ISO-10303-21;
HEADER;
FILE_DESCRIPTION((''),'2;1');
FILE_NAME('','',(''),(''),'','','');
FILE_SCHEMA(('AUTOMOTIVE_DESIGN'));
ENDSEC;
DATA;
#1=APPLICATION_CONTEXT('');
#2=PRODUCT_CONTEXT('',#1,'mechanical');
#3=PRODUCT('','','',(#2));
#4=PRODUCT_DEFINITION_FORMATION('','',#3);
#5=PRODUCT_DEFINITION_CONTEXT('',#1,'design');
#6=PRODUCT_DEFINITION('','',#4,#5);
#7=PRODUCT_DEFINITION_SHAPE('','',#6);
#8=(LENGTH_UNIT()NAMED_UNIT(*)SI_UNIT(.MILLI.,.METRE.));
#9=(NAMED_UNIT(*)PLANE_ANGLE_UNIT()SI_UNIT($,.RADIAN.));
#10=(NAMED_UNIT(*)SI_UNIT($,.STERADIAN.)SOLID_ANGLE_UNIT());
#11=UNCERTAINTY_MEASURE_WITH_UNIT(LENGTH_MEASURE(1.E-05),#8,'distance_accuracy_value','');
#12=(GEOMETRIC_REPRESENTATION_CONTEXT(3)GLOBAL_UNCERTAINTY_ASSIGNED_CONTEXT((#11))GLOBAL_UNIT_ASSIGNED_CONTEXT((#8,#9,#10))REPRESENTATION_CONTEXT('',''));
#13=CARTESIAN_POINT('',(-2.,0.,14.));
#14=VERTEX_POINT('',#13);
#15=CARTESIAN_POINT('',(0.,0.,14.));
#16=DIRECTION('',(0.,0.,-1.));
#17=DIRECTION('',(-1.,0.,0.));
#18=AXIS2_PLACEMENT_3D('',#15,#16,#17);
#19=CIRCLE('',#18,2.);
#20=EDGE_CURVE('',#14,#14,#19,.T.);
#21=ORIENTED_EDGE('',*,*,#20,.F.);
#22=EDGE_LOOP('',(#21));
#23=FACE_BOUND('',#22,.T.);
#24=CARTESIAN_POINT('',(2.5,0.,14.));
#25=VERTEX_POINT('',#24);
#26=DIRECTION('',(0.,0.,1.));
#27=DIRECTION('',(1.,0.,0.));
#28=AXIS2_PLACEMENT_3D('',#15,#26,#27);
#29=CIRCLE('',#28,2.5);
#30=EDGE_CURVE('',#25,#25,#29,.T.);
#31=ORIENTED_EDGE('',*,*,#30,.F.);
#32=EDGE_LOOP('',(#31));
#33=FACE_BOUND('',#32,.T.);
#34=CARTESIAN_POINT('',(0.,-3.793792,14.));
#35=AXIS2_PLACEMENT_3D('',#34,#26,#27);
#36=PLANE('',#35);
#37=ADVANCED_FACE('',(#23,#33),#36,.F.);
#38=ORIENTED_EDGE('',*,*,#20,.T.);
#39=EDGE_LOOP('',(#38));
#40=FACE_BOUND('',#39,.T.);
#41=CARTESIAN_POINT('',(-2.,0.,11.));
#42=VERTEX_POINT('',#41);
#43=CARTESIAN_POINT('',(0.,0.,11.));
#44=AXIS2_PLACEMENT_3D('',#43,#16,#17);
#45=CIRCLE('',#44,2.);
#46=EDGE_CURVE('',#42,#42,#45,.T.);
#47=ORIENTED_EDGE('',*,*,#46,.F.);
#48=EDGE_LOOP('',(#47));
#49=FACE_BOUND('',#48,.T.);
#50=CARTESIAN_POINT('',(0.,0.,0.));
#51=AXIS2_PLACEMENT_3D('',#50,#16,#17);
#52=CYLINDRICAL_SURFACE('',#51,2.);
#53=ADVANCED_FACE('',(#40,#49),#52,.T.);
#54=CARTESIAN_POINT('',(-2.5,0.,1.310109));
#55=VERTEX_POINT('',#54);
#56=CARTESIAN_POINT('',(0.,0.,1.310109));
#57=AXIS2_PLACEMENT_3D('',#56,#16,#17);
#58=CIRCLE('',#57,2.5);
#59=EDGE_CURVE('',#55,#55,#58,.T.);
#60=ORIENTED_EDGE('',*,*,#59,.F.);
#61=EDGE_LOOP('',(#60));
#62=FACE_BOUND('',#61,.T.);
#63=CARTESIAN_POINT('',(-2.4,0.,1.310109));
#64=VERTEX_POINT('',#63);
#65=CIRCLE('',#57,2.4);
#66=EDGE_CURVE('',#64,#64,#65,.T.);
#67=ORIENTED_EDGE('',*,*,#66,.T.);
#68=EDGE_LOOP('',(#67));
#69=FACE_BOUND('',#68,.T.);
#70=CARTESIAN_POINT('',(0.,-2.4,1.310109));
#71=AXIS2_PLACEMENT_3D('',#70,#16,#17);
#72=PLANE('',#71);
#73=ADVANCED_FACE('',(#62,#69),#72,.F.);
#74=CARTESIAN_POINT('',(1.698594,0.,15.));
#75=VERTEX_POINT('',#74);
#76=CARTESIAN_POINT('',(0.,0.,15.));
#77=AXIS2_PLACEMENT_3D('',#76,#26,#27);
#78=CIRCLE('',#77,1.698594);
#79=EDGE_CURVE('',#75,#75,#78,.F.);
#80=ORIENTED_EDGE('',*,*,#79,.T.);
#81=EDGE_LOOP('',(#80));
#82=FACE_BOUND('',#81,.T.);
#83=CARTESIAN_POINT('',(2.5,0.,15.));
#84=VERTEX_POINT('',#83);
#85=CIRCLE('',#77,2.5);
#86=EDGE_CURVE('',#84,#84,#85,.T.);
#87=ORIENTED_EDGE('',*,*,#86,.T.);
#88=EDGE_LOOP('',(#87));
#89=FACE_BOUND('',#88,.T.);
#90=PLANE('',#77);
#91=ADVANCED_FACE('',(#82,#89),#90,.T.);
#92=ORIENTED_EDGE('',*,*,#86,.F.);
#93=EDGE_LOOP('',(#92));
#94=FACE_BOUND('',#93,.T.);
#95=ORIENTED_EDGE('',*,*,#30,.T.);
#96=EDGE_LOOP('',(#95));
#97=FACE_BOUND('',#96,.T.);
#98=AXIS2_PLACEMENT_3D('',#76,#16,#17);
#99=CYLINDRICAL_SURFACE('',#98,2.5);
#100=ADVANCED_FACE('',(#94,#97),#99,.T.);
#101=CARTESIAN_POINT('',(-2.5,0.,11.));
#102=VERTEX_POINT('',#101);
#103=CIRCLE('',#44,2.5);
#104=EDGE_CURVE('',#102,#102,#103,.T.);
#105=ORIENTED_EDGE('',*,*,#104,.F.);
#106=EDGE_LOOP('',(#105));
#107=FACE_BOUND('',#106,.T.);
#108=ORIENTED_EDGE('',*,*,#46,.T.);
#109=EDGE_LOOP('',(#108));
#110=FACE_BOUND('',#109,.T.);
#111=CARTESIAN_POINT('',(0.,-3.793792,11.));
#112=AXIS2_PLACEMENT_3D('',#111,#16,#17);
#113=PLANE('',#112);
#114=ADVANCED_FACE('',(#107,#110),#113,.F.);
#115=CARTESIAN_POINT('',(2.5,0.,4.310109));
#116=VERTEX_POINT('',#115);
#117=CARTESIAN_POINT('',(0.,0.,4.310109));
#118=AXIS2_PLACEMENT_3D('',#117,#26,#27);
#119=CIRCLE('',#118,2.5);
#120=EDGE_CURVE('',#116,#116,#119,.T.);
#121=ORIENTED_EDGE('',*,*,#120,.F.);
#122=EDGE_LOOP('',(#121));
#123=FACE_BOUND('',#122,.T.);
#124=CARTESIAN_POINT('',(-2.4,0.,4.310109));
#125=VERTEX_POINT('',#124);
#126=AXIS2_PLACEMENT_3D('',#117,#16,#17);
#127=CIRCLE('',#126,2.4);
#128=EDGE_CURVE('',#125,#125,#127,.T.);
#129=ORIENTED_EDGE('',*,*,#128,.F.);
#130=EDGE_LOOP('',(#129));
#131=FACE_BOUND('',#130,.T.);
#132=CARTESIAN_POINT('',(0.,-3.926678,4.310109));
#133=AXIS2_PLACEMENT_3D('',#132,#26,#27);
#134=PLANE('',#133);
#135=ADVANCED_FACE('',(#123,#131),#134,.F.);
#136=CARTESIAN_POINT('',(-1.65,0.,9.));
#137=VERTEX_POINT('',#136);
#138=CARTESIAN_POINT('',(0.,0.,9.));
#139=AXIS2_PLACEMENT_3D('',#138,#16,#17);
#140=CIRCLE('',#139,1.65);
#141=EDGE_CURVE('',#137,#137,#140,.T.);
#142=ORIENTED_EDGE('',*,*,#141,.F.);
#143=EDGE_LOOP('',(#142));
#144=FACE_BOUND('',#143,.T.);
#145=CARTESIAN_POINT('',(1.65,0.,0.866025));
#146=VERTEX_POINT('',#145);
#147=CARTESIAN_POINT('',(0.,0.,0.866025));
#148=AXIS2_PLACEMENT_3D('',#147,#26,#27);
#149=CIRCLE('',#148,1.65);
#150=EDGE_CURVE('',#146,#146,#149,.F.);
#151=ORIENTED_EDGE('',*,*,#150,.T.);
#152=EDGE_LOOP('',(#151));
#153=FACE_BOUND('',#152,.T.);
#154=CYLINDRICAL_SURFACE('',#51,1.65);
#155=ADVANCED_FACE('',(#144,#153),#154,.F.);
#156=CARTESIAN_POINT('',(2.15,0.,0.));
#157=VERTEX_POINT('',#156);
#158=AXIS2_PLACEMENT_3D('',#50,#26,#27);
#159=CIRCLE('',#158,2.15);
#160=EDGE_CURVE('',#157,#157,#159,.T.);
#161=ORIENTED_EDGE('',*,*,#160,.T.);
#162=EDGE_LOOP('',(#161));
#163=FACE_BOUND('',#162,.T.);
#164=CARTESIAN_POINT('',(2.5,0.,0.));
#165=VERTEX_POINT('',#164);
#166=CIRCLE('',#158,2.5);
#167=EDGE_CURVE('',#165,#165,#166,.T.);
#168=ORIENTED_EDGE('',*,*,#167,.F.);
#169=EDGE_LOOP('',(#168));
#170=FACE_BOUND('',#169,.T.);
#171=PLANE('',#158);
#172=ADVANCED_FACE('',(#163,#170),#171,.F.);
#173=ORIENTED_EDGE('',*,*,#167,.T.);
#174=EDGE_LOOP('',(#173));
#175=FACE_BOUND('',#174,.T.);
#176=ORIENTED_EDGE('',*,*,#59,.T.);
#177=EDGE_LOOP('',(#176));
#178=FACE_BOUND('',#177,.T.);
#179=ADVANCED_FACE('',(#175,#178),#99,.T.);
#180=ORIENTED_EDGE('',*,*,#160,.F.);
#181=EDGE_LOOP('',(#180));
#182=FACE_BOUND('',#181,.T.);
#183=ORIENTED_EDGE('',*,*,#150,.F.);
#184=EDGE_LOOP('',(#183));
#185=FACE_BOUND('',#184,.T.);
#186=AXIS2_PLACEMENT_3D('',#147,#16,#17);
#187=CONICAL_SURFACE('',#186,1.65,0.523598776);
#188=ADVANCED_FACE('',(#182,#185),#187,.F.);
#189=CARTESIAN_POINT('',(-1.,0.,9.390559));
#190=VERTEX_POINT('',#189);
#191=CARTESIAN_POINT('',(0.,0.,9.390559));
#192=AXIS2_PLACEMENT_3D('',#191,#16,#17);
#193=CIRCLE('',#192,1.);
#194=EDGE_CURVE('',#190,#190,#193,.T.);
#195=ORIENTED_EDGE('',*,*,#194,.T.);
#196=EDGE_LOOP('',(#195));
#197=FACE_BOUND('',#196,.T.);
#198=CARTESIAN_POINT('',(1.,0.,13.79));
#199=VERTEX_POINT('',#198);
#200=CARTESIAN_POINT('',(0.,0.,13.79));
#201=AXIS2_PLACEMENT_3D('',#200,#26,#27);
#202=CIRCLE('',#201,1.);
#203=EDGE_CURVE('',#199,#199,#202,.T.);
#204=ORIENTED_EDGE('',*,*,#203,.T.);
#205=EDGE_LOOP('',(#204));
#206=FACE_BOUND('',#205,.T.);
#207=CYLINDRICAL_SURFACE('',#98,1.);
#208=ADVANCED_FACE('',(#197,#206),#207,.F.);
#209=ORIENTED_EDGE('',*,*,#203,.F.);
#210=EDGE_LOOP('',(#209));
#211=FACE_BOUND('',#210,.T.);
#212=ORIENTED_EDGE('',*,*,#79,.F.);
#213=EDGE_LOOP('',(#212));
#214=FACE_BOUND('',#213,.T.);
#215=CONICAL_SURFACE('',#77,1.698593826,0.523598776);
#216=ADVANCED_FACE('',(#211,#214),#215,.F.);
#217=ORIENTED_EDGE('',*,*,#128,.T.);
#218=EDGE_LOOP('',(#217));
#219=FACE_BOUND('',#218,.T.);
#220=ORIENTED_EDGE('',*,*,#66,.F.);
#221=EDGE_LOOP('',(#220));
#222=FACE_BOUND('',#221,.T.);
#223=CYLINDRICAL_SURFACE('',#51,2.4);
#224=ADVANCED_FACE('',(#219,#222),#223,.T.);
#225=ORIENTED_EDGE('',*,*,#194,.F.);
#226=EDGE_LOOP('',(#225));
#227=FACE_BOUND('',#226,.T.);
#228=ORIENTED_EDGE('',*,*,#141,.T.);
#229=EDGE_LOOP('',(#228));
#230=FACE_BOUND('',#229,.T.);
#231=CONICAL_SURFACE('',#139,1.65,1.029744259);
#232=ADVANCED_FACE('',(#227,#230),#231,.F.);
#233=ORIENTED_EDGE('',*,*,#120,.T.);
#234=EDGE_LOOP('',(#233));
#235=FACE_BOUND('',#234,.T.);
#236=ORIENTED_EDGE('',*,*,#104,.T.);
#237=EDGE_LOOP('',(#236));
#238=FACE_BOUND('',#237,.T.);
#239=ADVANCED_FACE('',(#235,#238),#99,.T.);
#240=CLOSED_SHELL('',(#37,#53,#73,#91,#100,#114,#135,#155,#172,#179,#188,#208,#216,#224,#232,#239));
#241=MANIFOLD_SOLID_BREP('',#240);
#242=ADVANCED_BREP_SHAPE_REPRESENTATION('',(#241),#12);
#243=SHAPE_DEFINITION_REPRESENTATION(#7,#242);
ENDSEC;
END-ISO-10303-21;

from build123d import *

# Parameters (mm, degrees)
SKETCH1_R                       = 2.5
BOSS_EXTRUDE1_DEPTH             = 15
SKETCH2_R                       = 1
CUT_EXTRUDE1_DEPTH              = 16.411035007
TAP_DRILL_FOR_M4X0_7_TAP1_D     = 3.3
TAP_DRILL_FOR_M4X0_7_TAP1_DEPTH = 9
TAP_DRILL_FOR_M4X0_7_TAP1_TIP   = 0.991420021
SKETCH5_W                       = 3
SKETCH5_H                       = 1.793791595
SKETCH5_H_2                     = 1.526677924
CHAMFER1_SIZE                   = 0.5
CHAMFER1_SIZE2                  = 0.866025404
CHAMFER2_SIZE                   = 1.21
CHAMFER2_SIZE2                  = 0.698593826


with BuildPart() as part:
    # Sketch1 → Boss-Extrude1 (new body)
    with BuildSketch(Plane.XY):
        Circle(SKETCH1_R)
    extrude(amount=BOSS_EXTRUDE1_DEPTH)

    # Sketch2 → Cut-Extrude1 (cut, through all)
    with BuildSketch(Plane(origin=(0, 0, 0), x_dir=(-1, 0, 0), z_dir=(0, 0, -1))):
        Circle(SKETCH2_R)
    extrude(amount=-CUT_EXTRUDE1_DEPTH, mode=Mode.SUBTRACT)

    # Tap Drill for M4x0.7 Tap1
    with Locations(Plane(origin=(0, 0, 0), x_dir=(-1, 0, 0), z_dir=(0, 0, -1))):
        with Locations((0, 0)):
            Hole(TAP_DRILL_FOR_M4X0_7_TAP1_D / 2, depth=TAP_DRILL_FOR_M4X0_7_TAP1_DEPTH)
            with Locations((0, 0, -(TAP_DRILL_FOR_M4X0_7_TAP1_DEPTH + TAP_DRILL_FOR_M4X0_7_TAP1_TIP / 2))):  # 118° drill point
                Cone(0, TAP_DRILL_FOR_M4X0_7_TAP1_D / 2, TAP_DRILL_FOR_M4X0_7_TAP1_TIP, mode=Mode.SUBTRACT)

    # Sketch5 → Cut-Revolve1 (revolve, cut)
    with BuildSketch(Plane(origin=(0, 0, 0), x_dir=(0, 0, -1), z_dir=(1, 0, 0)), mode=Mode.PRIVATE) as cut_revolve1_sk:
        with Locations((-12.5, 2.896895798)):
            Rectangle(SKETCH5_W, SKETCH5_H)
        with Locations((-2.810109468, 3.163338962)):
            Rectangle(SKETCH5_W, SKETCH5_H_2)
    revolve(cut_revolve1_sk.sketch.rotate(Axis((0, 0, 0), (0, 0, 1)), 90), axis=Axis((0, 0, 0), (0, 0, 1)), mode=Mode.SUBTRACT)

    # Chamfer1
    chamfer1_edges = [part.edges().sort_by_distance(p)[0] for p in [
        (-1.65, 0, 0),
    ]]
    chamfer1_side = [part.faces().sort_by_distance(p)[0] for p in [
        (-2.429289322, 0, 0),
    ]]
    chamfer(chamfer1_edges, length=CHAMFER1_SIZE, length2=CHAMFER1_SIZE2, reference=chamfer1_side[0])

    # Chamfer2
    chamfer2_edges = [part.edges().sort_by_distance(p)[0] for p in [
        (1, 0, 15),
    ]]
    chamfer2_side = [part.faces().sort_by_distance(p)[0] for p in [
        (1, 0, 12.195279701),
    ]]
    chamfer(chamfer2_edges, length=CHAMFER2_SIZE, length2=CHAMFER2_SIZE2, reference=chamfer2_side[0])


solid = part.part
